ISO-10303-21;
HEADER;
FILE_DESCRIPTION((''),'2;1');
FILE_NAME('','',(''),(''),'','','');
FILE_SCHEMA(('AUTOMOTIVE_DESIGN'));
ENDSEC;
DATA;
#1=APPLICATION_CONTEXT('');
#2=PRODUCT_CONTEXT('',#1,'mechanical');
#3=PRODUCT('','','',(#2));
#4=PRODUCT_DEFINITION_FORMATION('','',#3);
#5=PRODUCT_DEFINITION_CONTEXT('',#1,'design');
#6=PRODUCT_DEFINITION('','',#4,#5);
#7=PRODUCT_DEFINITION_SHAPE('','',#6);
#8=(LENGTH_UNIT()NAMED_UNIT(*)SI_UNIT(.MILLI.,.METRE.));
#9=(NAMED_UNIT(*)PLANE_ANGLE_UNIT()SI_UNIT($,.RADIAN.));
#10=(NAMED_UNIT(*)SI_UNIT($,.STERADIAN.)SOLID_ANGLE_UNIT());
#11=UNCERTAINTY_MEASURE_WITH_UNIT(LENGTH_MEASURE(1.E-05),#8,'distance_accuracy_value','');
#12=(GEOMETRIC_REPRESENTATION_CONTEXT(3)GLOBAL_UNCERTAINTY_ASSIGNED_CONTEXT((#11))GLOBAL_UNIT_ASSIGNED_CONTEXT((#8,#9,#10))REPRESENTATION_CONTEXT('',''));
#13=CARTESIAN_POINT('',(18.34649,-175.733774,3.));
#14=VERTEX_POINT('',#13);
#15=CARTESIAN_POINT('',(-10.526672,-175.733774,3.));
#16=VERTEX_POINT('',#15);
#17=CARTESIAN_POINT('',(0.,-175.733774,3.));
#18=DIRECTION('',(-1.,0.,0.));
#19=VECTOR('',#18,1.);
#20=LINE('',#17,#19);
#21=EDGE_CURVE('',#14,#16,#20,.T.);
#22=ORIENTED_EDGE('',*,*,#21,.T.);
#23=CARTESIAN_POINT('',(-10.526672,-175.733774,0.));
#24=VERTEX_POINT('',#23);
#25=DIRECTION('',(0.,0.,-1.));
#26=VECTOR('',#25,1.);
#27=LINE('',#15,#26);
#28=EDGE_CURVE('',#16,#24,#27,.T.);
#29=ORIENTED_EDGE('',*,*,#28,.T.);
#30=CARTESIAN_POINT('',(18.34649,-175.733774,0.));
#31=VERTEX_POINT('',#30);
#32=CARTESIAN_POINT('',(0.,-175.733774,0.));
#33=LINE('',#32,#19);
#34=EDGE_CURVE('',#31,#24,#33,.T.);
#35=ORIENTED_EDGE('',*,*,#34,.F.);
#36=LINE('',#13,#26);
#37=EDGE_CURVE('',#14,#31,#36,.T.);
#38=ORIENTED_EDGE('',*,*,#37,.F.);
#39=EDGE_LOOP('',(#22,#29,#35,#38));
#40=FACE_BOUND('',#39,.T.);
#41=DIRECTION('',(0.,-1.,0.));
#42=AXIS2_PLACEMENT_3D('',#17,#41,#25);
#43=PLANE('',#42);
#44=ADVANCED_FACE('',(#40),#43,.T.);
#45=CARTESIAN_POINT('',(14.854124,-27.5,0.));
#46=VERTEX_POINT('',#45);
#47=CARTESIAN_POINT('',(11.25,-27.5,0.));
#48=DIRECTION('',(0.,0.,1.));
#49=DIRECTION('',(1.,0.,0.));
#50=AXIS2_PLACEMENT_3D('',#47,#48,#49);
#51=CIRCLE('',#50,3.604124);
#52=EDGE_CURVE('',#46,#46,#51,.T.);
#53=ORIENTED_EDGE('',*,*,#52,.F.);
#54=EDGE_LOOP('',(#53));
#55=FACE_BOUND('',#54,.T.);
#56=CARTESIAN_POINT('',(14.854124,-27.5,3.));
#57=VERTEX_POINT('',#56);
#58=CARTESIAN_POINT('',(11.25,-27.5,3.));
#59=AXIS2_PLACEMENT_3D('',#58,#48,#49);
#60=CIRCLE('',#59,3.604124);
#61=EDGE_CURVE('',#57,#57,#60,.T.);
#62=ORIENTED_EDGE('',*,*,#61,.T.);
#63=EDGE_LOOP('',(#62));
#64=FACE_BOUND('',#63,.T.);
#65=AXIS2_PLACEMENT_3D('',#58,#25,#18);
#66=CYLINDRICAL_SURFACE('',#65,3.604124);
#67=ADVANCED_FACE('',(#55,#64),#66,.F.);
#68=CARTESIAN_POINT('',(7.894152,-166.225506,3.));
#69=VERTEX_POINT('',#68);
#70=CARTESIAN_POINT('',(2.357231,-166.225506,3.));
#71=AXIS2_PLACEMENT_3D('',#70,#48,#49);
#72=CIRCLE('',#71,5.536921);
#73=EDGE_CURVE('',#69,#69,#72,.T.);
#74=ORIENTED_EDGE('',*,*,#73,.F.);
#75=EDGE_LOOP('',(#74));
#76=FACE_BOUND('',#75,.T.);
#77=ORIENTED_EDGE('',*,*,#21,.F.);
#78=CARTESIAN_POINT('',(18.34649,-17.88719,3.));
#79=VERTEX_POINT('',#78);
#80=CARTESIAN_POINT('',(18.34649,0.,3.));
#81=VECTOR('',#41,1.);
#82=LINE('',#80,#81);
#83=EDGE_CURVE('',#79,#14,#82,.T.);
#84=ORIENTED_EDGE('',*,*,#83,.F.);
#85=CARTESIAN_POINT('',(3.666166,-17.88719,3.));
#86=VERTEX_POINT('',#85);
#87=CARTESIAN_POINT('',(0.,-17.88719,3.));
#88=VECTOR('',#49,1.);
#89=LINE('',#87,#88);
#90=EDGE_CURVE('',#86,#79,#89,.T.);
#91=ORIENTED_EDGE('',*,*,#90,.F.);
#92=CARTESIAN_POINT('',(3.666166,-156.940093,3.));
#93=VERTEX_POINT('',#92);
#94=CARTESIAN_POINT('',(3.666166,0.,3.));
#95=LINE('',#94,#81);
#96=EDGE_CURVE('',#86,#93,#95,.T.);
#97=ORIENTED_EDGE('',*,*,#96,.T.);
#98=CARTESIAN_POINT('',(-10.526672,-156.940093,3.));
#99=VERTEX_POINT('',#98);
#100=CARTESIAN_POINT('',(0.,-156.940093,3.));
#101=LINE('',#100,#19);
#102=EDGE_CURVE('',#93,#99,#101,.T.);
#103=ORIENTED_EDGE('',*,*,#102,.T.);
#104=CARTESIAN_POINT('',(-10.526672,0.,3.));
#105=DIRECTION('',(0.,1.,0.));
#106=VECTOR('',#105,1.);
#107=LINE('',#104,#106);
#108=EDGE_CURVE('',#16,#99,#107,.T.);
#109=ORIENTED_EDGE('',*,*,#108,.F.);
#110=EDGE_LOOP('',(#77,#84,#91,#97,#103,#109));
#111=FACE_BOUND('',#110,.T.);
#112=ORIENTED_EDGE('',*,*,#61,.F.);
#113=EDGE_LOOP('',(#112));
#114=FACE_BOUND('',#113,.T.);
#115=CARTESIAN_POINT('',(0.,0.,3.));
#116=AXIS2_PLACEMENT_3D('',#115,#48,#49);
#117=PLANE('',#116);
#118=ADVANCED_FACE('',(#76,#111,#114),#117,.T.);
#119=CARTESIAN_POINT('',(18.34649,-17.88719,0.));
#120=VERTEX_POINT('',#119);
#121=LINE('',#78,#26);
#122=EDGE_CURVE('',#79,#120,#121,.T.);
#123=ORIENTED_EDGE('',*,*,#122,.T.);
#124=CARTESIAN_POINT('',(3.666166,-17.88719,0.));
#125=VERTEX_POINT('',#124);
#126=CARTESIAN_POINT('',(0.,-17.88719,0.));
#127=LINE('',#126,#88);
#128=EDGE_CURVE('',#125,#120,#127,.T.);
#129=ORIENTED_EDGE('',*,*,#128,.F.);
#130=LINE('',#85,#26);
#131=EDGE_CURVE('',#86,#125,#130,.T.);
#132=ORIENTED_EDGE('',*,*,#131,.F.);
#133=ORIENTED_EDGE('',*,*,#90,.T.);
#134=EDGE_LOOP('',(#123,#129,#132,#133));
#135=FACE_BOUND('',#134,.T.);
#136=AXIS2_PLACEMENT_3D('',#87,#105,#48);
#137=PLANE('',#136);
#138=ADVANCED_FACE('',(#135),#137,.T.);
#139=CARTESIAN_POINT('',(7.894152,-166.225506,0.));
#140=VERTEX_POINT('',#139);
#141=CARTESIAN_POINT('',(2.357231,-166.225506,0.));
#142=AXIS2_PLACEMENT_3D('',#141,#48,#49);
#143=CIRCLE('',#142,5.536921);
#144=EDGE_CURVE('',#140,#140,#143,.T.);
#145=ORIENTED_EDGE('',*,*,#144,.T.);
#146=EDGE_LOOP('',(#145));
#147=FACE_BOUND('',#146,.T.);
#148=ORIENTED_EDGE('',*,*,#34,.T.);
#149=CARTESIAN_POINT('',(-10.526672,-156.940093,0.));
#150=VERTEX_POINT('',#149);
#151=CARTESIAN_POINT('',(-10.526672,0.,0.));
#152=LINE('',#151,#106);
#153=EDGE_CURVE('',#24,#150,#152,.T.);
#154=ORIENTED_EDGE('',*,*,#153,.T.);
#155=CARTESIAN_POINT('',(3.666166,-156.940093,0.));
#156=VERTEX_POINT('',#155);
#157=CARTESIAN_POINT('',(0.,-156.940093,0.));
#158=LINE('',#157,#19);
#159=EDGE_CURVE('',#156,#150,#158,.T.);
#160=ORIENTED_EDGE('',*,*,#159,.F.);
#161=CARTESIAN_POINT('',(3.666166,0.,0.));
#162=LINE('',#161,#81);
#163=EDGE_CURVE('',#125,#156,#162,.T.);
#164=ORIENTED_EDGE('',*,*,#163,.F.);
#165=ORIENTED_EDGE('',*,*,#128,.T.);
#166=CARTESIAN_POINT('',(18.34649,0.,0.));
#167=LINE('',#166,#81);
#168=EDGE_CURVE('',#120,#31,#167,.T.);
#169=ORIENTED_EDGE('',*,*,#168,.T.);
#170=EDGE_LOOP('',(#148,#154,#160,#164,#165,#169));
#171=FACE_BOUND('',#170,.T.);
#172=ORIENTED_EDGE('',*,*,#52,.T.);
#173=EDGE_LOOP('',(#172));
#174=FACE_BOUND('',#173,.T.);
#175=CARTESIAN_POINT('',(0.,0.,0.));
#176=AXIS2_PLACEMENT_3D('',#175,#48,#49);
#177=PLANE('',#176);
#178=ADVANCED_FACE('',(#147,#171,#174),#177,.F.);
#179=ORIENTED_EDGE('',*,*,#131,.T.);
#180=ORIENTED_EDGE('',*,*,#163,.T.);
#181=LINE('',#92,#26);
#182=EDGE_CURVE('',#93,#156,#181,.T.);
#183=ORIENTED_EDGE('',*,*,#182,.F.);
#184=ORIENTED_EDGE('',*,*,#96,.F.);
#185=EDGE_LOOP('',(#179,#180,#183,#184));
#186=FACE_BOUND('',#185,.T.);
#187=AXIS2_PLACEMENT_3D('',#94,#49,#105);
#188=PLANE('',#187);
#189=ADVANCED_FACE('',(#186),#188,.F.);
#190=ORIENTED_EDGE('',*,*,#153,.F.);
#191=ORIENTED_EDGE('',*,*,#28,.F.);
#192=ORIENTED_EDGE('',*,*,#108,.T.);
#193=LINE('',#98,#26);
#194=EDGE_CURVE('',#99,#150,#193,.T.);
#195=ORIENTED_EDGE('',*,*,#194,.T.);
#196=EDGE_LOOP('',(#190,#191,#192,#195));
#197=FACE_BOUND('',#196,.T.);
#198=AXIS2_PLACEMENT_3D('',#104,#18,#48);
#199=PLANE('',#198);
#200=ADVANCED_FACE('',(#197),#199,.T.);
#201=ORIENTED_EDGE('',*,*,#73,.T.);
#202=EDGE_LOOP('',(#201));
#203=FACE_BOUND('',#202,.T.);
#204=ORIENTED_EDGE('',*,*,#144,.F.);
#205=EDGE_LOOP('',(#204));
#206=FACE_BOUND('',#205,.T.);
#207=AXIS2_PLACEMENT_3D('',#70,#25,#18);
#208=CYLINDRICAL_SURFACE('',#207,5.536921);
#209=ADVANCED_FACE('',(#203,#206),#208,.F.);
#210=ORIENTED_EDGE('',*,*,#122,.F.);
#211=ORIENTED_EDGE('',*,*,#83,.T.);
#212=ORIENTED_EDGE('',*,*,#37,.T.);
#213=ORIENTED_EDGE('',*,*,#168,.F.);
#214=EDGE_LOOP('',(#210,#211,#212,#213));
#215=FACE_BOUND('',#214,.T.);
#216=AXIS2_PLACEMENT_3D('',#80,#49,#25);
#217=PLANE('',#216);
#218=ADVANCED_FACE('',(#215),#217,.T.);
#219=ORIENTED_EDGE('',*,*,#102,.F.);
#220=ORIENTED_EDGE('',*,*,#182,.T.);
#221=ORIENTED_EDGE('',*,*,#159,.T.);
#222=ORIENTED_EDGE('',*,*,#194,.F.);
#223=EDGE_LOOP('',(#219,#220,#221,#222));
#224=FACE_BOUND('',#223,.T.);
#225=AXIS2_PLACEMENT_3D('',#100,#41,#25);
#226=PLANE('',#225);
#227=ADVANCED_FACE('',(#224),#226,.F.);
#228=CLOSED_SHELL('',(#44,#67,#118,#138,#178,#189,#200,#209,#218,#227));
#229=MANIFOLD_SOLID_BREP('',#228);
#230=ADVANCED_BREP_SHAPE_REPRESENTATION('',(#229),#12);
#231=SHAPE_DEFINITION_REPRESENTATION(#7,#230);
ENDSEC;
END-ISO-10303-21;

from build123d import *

# Parameters (mm, degrees)
SKETCH1_R           = 5.536921134
SKETCH1_R_2         = 3.604124075
BOSS_EXTRUDE1_DEPTH = 3


with BuildPart() as part:
    # Sketch1 → Boss-Extrude1 (new body)
    with BuildSketch(Plane.XY):
        Polygon((18.346489636, -17.887190203), (3.666166363, -17.887190203), (3.666166363, -156.940093395), (-10.526671527, -156.940093395), (-10.526671527, -175.733774116), (3.666166363, -175.733774116), (18.346489636, -175.733774116), (18.346489636, -156.940093395), align=None)
        with Locations((2.357231156, -166.225505799)):
            Circle(SKETCH1_R, mode=Mode.SUBTRACT)
        with Locations((11.25, -27.5)):
            Circle(SKETCH1_R_2, mode=Mode.SUBTRACT)
    extrude(amount=BOSS_EXTRUDE1_DEPTH)


solid = part.part
